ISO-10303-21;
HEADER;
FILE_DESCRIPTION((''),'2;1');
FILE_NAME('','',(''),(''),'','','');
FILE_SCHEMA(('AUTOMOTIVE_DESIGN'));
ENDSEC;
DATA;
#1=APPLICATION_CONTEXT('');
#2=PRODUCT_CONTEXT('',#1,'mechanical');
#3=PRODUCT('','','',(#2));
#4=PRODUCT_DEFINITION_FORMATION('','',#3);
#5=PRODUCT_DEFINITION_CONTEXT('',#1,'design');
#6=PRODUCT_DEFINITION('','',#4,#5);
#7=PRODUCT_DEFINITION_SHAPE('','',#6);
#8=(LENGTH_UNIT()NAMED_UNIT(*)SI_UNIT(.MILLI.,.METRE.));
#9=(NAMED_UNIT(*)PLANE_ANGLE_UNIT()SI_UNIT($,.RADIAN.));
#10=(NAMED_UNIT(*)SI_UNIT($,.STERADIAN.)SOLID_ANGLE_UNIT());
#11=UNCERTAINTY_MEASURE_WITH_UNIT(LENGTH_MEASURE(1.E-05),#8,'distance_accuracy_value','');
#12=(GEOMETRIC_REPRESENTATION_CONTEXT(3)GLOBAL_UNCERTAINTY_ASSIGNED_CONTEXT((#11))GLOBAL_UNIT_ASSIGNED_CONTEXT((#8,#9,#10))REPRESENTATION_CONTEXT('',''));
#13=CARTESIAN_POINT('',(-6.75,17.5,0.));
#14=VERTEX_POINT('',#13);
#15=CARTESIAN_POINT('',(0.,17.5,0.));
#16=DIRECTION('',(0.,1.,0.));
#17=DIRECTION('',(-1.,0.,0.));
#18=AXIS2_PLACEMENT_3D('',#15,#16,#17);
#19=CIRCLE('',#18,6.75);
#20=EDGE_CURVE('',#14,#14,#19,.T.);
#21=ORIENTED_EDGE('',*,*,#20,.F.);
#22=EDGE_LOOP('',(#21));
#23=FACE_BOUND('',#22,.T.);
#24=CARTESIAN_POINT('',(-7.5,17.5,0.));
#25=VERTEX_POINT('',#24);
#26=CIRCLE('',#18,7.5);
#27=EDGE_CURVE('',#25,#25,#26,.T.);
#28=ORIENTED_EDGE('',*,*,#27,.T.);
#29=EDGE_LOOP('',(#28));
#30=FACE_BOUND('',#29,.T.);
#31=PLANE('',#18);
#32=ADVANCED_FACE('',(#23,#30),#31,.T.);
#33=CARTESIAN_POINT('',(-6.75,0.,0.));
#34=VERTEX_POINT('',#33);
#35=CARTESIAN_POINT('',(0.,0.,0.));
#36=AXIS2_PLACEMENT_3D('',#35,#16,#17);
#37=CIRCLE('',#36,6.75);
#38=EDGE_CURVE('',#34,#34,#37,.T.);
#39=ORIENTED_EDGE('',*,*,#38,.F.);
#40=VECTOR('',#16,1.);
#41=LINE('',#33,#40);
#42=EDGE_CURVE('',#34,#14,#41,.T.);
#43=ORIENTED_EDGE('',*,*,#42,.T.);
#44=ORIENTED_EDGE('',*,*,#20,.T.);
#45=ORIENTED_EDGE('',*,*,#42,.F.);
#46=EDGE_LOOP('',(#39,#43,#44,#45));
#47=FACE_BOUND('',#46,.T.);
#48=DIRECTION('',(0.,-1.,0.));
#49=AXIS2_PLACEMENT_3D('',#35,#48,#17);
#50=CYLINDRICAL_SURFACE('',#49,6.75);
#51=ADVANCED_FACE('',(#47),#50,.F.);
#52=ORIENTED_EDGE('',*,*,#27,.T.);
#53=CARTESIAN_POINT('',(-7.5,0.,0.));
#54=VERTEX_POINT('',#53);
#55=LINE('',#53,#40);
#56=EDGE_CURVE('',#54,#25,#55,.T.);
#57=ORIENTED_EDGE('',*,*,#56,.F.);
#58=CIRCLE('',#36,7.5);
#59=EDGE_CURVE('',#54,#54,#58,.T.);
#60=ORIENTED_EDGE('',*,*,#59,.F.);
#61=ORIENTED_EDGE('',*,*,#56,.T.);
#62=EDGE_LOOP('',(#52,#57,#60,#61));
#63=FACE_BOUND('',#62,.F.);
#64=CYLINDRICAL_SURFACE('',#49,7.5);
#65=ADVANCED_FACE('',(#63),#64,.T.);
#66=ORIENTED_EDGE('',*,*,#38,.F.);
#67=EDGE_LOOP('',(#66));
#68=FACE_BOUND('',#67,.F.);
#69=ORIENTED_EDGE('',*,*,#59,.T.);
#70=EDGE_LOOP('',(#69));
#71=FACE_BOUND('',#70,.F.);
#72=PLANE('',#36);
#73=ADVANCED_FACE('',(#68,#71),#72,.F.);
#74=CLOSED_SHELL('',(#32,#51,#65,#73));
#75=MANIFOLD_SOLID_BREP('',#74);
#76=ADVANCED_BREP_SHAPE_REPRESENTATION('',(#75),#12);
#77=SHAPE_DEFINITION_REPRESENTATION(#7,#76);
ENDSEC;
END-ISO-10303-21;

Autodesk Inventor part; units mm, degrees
ref_plane "YZ Plane" through (0, 0, 0) normal (1, 0, 0) x (0, 1, 0)
ref_plane "XZ Plane" through (0, 0, 0) normal (0, 1, 0) x (-1, 0, 0)
ref_plane "XY Plane" through (0, 0, 0) normal (0, 0, 1) x (1, 0, 0)
sketch "Sketch1" plane through (0, 0, 0) normal (0, 1, 0) x (-1, 0, 0)
  circle A0 centre (0, 0) radius 7.5
  circle A1 centre (0, 0) radius 6.75
  dimension "d0" = 15
  dimension "d1" = 0.75
extrude "Extrusion1" add sketch "Sketch1" along normal blind 17.5
properties part number "SLEEVE" material "Stainless Steel"
